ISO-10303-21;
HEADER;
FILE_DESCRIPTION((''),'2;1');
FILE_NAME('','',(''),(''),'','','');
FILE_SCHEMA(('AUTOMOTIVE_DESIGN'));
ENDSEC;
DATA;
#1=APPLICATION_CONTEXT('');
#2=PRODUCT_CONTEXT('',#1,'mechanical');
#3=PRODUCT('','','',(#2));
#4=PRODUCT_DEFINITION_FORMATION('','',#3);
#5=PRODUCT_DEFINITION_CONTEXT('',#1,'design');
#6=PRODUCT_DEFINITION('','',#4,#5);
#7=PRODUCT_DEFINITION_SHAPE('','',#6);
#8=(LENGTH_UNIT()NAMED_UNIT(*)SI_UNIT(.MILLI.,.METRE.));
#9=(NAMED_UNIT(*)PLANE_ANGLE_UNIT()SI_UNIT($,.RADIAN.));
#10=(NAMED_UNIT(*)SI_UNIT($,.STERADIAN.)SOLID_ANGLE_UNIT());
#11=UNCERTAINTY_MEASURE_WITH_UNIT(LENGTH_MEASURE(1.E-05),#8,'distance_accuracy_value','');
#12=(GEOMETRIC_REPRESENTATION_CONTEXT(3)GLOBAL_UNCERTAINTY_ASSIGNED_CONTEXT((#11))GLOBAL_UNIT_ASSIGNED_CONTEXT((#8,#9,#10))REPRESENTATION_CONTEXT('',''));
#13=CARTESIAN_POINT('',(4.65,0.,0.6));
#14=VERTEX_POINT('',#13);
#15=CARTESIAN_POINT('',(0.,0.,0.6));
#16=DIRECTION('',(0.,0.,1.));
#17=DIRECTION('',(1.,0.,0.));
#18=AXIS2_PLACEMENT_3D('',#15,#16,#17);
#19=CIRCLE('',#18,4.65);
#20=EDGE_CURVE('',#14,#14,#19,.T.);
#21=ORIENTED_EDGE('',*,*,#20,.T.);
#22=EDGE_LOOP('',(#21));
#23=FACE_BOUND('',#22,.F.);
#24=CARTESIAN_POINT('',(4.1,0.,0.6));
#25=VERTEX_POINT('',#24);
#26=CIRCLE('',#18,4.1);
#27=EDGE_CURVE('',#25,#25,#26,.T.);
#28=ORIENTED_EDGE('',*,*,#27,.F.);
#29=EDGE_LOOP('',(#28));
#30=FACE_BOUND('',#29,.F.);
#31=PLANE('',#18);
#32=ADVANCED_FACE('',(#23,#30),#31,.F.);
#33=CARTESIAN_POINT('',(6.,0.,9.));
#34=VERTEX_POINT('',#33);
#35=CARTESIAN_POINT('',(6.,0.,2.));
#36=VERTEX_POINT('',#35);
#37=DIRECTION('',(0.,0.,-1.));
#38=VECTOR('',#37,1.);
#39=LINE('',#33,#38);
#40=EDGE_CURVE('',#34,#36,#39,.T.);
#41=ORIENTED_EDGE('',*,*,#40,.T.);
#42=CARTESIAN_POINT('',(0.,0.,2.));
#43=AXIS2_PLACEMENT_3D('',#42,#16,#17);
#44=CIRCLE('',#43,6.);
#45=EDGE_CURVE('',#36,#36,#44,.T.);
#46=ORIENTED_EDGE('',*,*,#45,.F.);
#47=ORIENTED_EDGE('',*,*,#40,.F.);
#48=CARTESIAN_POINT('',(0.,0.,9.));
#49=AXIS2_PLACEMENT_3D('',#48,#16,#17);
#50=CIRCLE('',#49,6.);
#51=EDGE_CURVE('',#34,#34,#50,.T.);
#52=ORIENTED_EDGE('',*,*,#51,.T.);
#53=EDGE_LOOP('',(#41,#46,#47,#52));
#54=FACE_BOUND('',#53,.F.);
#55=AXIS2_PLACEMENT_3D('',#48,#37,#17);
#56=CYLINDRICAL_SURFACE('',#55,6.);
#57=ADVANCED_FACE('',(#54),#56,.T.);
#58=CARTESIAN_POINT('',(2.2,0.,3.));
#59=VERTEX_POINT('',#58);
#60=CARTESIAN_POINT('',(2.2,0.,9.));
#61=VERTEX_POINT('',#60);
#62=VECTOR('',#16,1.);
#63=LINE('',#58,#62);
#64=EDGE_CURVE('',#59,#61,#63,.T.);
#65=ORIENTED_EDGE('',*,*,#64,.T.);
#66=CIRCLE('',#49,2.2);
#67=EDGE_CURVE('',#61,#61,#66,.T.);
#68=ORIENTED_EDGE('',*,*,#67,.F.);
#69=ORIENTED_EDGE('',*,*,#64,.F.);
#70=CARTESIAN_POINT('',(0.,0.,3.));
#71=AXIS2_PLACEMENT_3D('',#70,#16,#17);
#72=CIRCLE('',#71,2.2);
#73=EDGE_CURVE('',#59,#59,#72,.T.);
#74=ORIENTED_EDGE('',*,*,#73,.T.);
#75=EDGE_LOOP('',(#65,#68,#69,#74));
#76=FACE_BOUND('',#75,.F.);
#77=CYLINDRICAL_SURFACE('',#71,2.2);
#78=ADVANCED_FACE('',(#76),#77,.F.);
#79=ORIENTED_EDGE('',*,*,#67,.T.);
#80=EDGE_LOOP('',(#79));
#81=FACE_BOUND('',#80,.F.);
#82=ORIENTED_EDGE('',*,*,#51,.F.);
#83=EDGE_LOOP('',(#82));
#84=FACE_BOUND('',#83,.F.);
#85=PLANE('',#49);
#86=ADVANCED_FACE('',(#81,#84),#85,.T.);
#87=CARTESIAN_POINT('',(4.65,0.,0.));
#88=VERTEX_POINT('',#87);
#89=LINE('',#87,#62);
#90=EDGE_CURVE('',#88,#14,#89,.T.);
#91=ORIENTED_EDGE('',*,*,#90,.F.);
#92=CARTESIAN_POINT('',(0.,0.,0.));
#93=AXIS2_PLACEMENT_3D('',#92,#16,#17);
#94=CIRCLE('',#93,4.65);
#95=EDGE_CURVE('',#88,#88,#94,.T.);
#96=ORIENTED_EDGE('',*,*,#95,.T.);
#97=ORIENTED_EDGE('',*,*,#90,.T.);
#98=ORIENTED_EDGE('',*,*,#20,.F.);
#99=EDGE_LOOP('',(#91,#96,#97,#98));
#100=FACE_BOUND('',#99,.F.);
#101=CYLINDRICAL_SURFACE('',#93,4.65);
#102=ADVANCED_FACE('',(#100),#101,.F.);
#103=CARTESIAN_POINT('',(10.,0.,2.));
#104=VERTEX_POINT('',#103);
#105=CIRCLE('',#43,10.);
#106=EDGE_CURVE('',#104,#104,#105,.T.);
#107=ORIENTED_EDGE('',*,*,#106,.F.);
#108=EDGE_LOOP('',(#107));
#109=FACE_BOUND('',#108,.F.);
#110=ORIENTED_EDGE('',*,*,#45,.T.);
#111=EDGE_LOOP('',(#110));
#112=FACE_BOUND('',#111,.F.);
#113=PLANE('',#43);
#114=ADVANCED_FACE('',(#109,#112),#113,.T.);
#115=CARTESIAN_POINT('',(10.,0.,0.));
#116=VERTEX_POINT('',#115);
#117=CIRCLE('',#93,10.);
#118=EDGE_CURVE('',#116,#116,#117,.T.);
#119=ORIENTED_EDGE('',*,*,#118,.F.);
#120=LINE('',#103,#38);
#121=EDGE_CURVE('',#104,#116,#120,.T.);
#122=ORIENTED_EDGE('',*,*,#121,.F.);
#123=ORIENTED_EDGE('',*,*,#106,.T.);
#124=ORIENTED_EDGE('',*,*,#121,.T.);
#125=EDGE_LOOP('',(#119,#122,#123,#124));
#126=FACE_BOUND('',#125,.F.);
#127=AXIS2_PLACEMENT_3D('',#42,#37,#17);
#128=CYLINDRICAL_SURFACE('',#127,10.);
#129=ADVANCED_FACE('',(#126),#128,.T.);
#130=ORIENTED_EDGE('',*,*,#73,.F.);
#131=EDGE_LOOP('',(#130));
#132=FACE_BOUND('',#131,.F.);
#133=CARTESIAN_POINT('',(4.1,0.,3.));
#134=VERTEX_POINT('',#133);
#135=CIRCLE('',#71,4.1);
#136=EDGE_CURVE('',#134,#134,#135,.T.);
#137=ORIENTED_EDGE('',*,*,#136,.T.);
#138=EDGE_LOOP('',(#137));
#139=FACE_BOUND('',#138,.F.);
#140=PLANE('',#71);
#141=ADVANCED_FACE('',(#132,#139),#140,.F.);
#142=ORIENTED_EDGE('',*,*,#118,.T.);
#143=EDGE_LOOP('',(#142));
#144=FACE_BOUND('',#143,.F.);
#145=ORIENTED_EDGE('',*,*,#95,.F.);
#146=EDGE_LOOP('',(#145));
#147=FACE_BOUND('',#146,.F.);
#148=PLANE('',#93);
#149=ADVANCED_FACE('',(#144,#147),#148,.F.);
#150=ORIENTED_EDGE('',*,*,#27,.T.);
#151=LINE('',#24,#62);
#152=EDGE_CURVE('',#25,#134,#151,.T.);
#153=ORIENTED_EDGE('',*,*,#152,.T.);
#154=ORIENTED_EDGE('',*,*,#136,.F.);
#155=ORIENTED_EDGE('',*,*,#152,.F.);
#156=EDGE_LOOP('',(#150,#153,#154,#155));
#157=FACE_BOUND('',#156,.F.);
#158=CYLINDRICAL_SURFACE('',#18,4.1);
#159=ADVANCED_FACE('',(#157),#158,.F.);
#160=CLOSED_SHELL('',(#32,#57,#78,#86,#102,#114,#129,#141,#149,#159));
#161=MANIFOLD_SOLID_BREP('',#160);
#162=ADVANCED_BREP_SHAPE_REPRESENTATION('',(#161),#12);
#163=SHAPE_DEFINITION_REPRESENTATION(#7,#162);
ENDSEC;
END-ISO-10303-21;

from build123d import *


with BuildPart() as part:
    # Sketch → Revolution (revolve)
    with BuildSketch(Plane.XZ):
        Polygon((2.2, 9), (6, 9), (6, 2), (10, 2), (10, 0), (4.65, 0), (4.65, 0.6), (4.1, 0.6), (4.1, 3), (2.2, 3), align=None)
    revolve(axis=Axis((0, 0, 0), (0, 0, 1)))


solid = part.part
